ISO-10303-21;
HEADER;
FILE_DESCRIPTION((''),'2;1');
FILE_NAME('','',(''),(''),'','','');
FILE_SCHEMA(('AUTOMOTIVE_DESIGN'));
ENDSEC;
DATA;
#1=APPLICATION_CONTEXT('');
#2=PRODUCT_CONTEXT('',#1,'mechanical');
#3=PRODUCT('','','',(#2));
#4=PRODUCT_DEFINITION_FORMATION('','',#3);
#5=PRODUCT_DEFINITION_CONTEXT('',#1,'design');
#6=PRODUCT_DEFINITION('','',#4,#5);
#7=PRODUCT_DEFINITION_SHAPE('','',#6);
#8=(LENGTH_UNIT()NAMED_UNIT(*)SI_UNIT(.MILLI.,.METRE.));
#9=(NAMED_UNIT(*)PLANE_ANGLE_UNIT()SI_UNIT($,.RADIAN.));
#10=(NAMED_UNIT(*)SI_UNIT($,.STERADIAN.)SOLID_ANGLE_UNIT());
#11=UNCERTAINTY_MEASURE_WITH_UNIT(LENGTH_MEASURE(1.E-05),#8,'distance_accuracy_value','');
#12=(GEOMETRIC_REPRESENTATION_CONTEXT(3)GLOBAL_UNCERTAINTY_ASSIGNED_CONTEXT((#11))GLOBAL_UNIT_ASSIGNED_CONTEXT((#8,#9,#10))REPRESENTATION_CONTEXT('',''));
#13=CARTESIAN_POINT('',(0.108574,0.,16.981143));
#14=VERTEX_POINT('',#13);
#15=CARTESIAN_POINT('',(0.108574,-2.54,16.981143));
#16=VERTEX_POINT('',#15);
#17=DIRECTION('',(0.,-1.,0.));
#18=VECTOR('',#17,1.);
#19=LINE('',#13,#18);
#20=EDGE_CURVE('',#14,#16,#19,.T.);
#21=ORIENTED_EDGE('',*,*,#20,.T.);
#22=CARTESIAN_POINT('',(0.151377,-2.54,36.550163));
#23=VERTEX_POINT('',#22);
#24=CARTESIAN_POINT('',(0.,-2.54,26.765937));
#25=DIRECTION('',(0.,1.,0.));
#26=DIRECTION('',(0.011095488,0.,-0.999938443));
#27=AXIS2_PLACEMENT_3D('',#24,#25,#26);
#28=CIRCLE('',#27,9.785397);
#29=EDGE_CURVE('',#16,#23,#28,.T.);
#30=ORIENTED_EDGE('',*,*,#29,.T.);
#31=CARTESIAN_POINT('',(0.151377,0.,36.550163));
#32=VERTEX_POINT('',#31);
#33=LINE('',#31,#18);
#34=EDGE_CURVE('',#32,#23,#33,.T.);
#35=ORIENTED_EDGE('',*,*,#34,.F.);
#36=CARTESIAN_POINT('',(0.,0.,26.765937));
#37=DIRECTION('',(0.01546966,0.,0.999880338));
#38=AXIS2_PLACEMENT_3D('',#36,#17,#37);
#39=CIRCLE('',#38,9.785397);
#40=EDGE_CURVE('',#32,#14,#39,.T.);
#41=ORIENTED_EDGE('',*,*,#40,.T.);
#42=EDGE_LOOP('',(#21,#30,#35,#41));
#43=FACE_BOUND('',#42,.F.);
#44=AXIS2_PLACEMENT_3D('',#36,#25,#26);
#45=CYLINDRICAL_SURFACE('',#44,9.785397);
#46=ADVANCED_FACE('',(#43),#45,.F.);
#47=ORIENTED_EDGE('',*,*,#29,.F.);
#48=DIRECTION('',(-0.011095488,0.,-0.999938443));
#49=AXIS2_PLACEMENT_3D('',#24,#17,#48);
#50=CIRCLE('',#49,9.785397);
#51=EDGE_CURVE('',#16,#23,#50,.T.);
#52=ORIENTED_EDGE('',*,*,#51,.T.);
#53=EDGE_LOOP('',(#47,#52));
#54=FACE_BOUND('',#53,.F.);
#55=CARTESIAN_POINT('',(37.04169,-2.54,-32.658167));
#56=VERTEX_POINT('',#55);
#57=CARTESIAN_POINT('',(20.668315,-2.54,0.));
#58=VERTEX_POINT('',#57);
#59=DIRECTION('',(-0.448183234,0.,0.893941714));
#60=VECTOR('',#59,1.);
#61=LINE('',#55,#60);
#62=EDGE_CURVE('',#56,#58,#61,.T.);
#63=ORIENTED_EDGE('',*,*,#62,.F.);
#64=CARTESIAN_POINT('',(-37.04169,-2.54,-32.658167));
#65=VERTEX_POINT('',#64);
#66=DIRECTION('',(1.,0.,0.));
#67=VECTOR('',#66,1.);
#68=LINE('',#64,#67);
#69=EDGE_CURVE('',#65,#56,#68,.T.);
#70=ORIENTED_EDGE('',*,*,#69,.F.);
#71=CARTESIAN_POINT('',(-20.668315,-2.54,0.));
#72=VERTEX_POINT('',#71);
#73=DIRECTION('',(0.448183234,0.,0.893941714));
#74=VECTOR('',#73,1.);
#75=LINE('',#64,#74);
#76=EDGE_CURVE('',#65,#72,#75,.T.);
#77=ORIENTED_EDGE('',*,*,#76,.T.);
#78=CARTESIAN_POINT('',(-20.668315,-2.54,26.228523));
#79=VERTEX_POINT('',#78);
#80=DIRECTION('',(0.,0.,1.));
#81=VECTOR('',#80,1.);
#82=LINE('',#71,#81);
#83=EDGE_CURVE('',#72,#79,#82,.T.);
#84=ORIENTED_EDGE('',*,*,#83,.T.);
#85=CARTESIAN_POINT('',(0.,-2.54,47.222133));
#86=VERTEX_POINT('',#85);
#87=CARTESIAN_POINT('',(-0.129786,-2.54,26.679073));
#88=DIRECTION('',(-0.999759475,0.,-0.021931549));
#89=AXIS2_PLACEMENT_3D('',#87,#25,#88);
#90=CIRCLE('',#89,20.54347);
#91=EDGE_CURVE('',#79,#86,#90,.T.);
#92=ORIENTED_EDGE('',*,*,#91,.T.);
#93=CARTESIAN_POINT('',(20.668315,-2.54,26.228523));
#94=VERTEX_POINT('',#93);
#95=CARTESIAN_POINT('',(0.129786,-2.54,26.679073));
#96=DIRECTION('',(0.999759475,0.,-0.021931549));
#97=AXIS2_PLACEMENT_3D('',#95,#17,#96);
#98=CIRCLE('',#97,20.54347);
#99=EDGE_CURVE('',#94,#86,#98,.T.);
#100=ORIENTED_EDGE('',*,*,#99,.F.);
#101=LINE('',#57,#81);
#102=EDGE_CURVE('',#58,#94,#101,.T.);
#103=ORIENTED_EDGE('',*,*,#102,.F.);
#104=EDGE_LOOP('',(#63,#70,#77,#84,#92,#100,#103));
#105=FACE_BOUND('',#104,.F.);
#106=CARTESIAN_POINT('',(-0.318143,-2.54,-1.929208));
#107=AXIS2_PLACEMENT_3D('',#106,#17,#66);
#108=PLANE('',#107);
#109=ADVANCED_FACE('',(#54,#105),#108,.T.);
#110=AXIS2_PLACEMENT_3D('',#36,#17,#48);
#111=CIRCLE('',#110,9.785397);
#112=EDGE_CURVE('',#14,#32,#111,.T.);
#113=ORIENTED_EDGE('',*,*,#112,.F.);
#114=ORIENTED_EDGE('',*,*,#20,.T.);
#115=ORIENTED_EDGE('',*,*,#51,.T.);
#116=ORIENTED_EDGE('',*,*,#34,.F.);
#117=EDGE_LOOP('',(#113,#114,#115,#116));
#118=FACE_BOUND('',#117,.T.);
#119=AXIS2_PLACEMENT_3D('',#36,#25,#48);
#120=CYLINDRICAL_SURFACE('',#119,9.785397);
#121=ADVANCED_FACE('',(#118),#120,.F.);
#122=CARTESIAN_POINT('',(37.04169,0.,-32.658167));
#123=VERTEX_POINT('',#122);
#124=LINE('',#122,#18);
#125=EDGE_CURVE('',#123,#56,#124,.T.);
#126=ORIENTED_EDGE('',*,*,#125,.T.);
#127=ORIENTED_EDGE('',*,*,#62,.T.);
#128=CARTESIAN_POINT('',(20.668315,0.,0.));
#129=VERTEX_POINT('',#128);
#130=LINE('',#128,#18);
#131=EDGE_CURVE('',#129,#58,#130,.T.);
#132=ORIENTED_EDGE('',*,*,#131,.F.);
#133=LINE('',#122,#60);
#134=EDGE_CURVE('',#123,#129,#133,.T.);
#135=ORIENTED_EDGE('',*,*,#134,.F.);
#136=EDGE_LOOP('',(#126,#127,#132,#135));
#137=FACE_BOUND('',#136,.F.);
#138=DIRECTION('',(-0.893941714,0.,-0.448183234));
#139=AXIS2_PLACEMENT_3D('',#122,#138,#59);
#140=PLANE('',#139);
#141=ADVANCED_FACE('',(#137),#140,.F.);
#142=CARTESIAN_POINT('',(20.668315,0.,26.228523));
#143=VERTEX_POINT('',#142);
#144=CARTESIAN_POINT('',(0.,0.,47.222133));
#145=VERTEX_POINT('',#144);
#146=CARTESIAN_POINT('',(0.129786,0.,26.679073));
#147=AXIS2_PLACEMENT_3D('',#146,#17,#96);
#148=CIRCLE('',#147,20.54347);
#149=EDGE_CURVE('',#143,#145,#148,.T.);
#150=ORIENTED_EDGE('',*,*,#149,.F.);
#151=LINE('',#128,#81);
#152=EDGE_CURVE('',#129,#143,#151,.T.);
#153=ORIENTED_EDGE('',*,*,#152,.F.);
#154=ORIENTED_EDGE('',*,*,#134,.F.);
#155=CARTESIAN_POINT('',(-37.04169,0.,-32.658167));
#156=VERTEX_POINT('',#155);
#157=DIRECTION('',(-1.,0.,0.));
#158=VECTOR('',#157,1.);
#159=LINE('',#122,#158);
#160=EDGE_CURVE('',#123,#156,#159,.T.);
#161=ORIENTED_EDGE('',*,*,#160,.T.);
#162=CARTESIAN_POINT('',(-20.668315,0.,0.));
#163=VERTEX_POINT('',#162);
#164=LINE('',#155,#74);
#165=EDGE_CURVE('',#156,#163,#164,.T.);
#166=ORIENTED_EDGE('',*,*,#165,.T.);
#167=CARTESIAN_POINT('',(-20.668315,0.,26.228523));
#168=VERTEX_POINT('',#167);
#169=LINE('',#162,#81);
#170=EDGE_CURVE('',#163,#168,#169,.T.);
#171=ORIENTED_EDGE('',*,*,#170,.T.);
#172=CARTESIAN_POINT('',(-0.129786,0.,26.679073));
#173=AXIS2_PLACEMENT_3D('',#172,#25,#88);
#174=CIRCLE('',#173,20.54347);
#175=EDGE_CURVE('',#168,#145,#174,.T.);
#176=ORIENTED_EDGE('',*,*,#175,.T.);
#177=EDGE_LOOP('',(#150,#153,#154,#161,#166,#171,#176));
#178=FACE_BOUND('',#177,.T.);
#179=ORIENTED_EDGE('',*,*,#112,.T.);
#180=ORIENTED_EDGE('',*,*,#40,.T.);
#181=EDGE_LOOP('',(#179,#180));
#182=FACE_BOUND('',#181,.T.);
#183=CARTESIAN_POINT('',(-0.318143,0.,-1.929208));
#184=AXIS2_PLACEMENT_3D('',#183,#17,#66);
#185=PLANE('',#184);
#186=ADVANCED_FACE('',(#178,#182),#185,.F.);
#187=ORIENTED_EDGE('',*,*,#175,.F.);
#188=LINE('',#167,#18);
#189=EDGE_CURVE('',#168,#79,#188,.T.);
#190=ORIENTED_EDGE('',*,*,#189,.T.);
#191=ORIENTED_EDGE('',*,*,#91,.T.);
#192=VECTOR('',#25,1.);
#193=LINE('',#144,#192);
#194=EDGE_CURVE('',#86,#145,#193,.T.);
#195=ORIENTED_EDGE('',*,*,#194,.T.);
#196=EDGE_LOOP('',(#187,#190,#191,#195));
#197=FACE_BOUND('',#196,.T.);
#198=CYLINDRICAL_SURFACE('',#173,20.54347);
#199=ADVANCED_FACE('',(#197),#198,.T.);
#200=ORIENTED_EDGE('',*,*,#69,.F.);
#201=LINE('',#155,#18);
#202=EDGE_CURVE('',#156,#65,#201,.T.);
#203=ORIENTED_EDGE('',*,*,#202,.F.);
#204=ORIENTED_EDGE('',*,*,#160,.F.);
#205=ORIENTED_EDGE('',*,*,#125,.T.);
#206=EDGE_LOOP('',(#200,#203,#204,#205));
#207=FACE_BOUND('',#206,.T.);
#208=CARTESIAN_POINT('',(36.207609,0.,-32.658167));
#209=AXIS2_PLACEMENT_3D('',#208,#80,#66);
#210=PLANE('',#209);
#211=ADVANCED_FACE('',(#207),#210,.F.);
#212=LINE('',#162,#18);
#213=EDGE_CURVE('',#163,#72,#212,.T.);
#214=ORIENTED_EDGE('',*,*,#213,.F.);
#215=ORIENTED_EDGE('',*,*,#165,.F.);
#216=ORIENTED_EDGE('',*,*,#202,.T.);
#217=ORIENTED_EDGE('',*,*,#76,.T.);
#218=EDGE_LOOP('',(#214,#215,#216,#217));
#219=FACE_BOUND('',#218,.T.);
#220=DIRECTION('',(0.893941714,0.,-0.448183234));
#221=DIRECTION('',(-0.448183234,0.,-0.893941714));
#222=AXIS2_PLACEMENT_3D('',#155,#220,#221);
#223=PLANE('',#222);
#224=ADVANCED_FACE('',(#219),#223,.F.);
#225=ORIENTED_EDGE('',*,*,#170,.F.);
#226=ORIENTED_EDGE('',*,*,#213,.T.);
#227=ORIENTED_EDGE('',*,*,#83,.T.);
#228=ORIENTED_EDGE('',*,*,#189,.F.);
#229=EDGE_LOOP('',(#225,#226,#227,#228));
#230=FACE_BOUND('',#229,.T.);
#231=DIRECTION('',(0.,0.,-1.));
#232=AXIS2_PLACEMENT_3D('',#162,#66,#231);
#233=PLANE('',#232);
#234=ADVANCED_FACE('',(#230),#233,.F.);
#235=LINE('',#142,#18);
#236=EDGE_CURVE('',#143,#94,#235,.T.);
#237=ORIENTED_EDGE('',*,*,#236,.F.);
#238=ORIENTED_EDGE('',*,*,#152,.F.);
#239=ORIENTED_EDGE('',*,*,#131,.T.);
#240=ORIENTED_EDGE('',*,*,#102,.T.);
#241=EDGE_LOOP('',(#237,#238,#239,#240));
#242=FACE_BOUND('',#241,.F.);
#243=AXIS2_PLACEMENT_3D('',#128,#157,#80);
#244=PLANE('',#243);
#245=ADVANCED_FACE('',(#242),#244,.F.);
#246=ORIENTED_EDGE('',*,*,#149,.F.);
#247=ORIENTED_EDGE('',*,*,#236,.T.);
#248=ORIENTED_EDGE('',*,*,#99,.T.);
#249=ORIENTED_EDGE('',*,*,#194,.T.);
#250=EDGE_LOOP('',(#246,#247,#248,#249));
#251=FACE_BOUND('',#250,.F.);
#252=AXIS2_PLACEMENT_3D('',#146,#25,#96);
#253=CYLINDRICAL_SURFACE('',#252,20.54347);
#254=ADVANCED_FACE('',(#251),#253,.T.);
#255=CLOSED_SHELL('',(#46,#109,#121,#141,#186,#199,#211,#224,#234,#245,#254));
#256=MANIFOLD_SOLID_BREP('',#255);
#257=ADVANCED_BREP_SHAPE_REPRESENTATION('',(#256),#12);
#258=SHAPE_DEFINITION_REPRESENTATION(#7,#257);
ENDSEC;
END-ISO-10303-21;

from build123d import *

# Parameters (mm, degrees)
F1_DEPTH = 2.54


with BuildPart() as f1:
    # F0 (on Front) → F1 (new body)
    with BuildSketch(Plane.XZ):
        with BuildLine():
            Line((20.668315, 0), (20.668315, 26.228523))
            ThreePointArc((20.668315, 26.228523), (0.17472, 47.222494), (-20.410517, 26.318373))
            ThreePointArc((-20.410517, 26.318373), (-20.409678, 26.273447), (-20.408742, 26.228523))
            Line((-20.408742, 26.228523), (-19.833371, 0))
            Line((-19.833371, 0), (-36.207609, -32.658167))
            Line((-36.207609, -32.658167), (37.04169, -32.658167))
            Line((37.04169, -32.658167), (20.668315, 0))
        make_face()
        with BuildLine():
            ThreePointArc((0.108574, 16.981143), (-9.785373, 26.78734), (0.151377, 36.550163))
            ThreePointArc((0.151377, 36.550163), (7.140778, 33.72297), (10.045348, 26.765368))
            ThreePointArc((10.045348, 26.765368), (7.125543, 19.792734), (0.108574, 16.981143))
        make_face(mode=Mode.SUBTRACT)
    extrude(amount=F1_DEPTH)

    # F2: F1 across plane


with BuildPart() as f1_1:
    add(f1.part)
    add(f1.part.mirror(Plane.YZ))


solid = f1_1.part
